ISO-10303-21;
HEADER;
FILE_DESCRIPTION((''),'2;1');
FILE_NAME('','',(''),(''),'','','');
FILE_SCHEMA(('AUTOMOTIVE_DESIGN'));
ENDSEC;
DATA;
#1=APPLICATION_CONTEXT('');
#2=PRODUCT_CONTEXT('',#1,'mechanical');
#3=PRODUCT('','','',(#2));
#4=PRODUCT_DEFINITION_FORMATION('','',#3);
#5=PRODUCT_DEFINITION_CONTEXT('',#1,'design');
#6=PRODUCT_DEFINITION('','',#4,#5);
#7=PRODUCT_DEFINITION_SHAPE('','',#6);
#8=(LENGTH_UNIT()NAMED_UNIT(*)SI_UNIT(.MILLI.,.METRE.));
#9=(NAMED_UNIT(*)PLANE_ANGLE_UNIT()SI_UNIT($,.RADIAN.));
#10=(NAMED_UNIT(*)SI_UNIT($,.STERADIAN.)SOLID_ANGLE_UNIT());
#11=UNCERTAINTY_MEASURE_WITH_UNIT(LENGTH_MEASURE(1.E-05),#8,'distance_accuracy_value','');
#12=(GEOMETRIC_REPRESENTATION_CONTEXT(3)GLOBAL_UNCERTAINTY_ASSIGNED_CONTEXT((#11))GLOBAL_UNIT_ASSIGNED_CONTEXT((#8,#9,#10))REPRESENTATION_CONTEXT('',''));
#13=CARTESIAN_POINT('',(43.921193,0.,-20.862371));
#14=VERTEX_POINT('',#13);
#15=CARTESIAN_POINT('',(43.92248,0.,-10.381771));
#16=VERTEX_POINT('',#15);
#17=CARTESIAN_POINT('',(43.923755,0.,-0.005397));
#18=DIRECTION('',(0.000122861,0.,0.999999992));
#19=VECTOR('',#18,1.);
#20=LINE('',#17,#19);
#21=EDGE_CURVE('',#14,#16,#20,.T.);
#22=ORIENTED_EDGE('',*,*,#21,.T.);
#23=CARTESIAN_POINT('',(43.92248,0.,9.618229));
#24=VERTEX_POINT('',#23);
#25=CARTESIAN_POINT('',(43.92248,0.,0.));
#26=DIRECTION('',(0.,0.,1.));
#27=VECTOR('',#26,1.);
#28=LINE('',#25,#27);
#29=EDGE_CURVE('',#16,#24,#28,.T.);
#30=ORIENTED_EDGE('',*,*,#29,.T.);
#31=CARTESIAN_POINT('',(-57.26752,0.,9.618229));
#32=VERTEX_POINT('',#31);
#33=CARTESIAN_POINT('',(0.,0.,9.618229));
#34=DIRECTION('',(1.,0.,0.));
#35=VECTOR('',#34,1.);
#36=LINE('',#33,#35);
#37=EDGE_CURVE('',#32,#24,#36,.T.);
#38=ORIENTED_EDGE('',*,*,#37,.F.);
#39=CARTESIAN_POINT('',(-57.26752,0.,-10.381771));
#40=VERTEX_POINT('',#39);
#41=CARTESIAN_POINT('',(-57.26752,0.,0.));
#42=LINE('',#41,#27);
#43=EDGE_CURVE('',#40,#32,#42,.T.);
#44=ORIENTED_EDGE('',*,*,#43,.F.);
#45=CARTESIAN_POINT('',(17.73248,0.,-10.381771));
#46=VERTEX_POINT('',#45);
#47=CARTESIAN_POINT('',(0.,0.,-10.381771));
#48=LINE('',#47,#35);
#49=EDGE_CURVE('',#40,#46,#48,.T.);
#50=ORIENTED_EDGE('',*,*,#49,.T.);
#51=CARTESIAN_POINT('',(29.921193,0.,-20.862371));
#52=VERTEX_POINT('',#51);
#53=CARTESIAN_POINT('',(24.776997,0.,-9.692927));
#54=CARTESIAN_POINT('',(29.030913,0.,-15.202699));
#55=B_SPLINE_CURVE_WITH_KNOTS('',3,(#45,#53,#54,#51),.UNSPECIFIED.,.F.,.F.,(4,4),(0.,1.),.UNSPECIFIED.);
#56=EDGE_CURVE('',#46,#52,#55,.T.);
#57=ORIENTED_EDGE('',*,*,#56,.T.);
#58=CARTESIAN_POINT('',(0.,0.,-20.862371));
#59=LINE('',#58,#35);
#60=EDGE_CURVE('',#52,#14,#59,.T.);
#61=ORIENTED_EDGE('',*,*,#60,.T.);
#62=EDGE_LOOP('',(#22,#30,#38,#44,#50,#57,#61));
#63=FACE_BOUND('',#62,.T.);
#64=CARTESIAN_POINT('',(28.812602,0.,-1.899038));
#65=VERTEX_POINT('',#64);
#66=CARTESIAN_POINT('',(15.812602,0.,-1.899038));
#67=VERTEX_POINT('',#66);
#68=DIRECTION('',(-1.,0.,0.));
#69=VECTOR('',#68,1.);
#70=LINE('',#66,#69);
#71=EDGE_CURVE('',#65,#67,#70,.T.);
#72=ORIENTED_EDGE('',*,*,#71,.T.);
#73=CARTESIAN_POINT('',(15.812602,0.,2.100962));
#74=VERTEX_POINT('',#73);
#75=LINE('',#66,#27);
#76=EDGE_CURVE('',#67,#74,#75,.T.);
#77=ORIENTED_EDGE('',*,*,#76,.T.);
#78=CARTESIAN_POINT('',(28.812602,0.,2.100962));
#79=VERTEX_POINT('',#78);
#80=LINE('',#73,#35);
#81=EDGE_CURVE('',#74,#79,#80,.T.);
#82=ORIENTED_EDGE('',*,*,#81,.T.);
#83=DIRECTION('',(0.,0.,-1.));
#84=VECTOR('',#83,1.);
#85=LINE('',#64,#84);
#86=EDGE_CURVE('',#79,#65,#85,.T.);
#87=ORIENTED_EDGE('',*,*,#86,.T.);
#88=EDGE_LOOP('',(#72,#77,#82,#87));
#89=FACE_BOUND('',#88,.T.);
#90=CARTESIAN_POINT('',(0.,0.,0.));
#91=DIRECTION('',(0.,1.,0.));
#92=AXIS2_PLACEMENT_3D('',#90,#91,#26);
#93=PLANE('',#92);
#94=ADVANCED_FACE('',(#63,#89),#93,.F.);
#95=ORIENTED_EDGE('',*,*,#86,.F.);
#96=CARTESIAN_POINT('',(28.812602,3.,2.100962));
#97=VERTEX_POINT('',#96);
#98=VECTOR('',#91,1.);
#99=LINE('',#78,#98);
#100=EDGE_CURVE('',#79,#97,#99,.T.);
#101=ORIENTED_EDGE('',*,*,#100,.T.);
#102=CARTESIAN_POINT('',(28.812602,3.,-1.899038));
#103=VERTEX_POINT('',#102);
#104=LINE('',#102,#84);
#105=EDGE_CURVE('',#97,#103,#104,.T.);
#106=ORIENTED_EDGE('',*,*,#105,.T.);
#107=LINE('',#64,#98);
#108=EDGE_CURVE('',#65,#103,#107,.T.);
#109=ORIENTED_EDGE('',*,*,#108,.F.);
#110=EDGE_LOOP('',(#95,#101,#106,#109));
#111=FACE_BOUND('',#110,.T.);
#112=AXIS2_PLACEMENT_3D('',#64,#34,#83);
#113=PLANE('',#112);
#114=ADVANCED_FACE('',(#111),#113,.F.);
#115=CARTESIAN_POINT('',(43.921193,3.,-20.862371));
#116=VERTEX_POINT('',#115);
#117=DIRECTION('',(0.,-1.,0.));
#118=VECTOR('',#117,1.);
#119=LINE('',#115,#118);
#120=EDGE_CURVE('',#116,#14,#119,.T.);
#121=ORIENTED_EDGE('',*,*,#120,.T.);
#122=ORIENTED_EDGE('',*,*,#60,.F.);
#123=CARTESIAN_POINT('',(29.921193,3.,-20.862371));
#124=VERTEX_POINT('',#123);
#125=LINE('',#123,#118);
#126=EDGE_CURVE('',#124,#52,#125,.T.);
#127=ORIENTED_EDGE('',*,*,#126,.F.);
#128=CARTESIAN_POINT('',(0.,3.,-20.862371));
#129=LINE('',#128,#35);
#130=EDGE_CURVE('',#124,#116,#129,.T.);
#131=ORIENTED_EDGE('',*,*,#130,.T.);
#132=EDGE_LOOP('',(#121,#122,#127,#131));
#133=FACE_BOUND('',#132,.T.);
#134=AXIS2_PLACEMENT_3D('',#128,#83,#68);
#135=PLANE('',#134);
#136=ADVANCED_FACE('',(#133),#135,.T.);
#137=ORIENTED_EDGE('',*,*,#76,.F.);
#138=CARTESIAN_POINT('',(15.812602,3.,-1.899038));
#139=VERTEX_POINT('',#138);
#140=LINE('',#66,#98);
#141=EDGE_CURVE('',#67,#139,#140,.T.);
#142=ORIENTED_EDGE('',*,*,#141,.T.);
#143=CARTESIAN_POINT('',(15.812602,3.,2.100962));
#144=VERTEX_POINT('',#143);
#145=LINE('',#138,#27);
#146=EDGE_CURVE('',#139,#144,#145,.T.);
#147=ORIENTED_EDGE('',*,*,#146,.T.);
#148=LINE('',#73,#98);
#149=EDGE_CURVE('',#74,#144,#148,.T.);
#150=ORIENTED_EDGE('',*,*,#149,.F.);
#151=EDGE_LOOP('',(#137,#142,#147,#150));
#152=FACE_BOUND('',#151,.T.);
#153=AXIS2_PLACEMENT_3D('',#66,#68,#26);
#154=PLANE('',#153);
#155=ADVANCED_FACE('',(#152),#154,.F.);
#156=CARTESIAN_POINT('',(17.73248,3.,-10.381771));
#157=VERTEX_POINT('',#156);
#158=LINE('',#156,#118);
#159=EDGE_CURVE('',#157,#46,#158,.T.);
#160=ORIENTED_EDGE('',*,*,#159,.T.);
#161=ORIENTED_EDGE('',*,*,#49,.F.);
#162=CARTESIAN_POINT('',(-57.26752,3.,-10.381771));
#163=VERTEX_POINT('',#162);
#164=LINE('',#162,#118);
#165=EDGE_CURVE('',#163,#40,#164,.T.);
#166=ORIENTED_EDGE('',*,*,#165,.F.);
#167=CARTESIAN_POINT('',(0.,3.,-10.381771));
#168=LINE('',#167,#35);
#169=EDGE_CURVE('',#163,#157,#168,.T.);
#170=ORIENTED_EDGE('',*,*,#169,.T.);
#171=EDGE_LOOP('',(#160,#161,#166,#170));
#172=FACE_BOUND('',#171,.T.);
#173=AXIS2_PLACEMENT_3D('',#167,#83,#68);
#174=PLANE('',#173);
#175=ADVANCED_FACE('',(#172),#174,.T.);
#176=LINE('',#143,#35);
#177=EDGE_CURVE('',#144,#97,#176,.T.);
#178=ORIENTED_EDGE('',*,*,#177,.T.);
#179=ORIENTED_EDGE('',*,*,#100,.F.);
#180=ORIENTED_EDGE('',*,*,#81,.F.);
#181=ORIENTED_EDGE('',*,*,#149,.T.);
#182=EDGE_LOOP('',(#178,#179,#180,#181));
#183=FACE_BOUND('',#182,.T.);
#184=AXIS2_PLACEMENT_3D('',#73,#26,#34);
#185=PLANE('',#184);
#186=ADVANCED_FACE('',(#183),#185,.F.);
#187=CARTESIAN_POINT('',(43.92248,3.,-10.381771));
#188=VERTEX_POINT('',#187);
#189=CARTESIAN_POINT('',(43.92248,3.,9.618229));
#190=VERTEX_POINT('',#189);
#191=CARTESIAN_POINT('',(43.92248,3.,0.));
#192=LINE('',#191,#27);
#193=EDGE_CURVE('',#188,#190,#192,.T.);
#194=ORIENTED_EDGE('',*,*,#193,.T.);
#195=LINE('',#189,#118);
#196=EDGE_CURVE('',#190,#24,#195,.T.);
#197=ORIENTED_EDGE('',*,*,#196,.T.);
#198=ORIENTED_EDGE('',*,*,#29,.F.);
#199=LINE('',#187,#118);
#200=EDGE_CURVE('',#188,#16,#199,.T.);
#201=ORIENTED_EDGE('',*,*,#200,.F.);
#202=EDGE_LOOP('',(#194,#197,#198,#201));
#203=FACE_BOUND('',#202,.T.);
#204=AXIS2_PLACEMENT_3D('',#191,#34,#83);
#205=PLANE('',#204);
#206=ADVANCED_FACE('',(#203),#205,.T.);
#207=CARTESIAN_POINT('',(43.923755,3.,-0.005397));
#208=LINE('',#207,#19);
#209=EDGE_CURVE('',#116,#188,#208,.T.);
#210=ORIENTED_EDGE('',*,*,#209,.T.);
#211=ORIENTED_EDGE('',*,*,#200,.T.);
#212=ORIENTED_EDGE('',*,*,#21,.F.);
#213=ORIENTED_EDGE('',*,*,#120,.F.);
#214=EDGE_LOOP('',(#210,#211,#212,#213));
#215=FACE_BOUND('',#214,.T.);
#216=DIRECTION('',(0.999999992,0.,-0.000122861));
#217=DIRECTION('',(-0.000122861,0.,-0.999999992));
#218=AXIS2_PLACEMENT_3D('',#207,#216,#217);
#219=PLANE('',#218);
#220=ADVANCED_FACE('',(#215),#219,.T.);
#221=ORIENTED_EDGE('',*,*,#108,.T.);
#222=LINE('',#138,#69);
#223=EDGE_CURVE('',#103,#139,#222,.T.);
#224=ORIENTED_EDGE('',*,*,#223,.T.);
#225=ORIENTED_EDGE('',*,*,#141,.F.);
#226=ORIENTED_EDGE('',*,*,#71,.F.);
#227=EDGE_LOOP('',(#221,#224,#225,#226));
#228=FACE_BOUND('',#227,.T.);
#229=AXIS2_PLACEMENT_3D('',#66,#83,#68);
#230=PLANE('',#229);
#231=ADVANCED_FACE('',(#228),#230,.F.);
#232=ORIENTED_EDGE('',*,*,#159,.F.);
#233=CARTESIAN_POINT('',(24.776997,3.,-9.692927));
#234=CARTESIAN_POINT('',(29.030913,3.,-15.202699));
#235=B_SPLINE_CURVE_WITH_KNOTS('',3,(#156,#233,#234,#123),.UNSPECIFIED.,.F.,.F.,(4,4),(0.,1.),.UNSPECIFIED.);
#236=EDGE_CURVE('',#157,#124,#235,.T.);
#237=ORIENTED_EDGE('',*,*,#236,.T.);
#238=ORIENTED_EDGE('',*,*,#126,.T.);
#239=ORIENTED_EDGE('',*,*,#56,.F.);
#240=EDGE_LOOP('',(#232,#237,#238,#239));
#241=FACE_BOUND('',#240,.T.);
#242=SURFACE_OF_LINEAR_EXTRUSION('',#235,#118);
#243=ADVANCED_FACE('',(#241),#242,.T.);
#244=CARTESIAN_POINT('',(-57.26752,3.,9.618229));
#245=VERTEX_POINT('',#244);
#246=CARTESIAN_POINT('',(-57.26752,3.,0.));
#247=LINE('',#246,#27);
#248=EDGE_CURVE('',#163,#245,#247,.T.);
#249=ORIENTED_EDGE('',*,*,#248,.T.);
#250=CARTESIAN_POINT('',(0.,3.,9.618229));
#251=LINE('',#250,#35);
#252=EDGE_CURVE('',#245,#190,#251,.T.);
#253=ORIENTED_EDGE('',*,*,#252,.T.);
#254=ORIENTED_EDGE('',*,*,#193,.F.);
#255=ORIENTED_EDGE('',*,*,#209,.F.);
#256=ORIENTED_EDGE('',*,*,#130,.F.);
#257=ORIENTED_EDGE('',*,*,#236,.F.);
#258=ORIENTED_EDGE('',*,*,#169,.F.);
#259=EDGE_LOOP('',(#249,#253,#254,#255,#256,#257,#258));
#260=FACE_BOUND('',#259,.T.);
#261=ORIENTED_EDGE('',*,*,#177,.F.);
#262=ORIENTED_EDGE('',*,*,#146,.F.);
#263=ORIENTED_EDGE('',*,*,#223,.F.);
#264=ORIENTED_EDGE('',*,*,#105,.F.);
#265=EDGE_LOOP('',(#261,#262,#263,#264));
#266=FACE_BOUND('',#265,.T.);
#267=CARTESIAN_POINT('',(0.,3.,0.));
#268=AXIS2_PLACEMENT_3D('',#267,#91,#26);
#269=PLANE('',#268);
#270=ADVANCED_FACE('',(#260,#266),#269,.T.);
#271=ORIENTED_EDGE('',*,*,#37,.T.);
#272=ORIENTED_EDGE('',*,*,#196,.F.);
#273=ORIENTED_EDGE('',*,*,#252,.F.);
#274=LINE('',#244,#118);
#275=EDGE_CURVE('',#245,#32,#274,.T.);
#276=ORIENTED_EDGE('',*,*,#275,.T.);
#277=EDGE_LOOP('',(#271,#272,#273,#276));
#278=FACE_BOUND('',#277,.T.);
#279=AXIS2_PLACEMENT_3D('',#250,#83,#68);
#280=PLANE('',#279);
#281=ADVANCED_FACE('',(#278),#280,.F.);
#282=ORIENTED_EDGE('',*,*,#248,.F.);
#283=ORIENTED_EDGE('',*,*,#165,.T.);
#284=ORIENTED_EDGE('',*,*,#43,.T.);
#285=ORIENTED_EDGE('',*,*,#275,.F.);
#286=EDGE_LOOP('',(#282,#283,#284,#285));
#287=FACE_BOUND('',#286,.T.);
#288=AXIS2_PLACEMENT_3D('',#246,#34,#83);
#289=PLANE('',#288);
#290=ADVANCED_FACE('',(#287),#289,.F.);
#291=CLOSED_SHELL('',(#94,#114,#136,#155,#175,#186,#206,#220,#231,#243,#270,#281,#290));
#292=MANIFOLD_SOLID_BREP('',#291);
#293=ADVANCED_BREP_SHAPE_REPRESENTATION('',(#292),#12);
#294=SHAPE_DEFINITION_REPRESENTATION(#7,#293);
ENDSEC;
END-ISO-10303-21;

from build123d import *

# Parameters (mm, degrees)
EXTRUDE_1_DEPTH     = 3
SKETCH_4_W          = 13
SKETCH_4_H          = 4
CUT_EXTRUDE_1_DEPTH = 62.023006498


with BuildPart() as part:
    # 草图2 → 凸台-拉伸1 (new body)
    with BuildSketch(Plane(origin=(0, 0, 0), x_dir=(1, 0, 0), z_dir=(0, 1, 0))):
        with BuildLine():
            Line((17.732480436, 10.381771038), (-57.267519564, 10.381771038))
            Line((-57.267519564, 10.381771038), (-57.267519564, -9.618228962))
            Line((-57.267519564, -9.618228962), (43.922480436, -9.618228962))
            Line((43.922480436, -9.618228962), (43.922480436, 10.381771038))
            Line((43.922480436, 10.381771038), (20.060175686, 10.381771038))
            add(Edge.make_bspline(
                [(17.732480436, 10.381771038), (18.54587785, 10.302233399), (19.322070314, 10.305337221), (20.060175686, 10.381771038)],
                knots=[0, 0, 0, 0, 0.115465336, 0.115465336, 0.115465336, 0.115465336], degree=3))
        make_face()
        with BuildLine():
            add(Edge.make_bspline(
                [(20.060175686, 10.381771038), (25.714511546, 10.96730054), (29.13370972, 15.856194464), (29.921192775, 20.862370643)],
                knots=[0.115465336, 0.115465336, 0.115465336, 0.115465336, 1, 1, 1, 1], degree=3))
            Line((20.060175686, 10.381771038), (43.922480436, 10.381771038))
            Line((43.922480436, 10.381771038), (43.921192775, 20.862370643))
            Line((43.921192775, 20.862370643), (29.921192775, 20.862370643))
        make_face()
    extrude(amount=EXTRUDE_1_DEPTH)

    # 草图4 → 切除-拉伸1 (cut, through all)
    with BuildSketch(Plane(origin=(0, 3, 0), x_dir=(1, 0, 0), z_dir=(0, 1, 0))):
        with Locations((22.312601946, -0.100962334)):
            Rectangle(SKETCH_4_W, SKETCH_4_H)
    extrude(amount=-CUT_EXTRUDE_1_DEPTH, mode=Mode.SUBTRACT)


solid = part.part
